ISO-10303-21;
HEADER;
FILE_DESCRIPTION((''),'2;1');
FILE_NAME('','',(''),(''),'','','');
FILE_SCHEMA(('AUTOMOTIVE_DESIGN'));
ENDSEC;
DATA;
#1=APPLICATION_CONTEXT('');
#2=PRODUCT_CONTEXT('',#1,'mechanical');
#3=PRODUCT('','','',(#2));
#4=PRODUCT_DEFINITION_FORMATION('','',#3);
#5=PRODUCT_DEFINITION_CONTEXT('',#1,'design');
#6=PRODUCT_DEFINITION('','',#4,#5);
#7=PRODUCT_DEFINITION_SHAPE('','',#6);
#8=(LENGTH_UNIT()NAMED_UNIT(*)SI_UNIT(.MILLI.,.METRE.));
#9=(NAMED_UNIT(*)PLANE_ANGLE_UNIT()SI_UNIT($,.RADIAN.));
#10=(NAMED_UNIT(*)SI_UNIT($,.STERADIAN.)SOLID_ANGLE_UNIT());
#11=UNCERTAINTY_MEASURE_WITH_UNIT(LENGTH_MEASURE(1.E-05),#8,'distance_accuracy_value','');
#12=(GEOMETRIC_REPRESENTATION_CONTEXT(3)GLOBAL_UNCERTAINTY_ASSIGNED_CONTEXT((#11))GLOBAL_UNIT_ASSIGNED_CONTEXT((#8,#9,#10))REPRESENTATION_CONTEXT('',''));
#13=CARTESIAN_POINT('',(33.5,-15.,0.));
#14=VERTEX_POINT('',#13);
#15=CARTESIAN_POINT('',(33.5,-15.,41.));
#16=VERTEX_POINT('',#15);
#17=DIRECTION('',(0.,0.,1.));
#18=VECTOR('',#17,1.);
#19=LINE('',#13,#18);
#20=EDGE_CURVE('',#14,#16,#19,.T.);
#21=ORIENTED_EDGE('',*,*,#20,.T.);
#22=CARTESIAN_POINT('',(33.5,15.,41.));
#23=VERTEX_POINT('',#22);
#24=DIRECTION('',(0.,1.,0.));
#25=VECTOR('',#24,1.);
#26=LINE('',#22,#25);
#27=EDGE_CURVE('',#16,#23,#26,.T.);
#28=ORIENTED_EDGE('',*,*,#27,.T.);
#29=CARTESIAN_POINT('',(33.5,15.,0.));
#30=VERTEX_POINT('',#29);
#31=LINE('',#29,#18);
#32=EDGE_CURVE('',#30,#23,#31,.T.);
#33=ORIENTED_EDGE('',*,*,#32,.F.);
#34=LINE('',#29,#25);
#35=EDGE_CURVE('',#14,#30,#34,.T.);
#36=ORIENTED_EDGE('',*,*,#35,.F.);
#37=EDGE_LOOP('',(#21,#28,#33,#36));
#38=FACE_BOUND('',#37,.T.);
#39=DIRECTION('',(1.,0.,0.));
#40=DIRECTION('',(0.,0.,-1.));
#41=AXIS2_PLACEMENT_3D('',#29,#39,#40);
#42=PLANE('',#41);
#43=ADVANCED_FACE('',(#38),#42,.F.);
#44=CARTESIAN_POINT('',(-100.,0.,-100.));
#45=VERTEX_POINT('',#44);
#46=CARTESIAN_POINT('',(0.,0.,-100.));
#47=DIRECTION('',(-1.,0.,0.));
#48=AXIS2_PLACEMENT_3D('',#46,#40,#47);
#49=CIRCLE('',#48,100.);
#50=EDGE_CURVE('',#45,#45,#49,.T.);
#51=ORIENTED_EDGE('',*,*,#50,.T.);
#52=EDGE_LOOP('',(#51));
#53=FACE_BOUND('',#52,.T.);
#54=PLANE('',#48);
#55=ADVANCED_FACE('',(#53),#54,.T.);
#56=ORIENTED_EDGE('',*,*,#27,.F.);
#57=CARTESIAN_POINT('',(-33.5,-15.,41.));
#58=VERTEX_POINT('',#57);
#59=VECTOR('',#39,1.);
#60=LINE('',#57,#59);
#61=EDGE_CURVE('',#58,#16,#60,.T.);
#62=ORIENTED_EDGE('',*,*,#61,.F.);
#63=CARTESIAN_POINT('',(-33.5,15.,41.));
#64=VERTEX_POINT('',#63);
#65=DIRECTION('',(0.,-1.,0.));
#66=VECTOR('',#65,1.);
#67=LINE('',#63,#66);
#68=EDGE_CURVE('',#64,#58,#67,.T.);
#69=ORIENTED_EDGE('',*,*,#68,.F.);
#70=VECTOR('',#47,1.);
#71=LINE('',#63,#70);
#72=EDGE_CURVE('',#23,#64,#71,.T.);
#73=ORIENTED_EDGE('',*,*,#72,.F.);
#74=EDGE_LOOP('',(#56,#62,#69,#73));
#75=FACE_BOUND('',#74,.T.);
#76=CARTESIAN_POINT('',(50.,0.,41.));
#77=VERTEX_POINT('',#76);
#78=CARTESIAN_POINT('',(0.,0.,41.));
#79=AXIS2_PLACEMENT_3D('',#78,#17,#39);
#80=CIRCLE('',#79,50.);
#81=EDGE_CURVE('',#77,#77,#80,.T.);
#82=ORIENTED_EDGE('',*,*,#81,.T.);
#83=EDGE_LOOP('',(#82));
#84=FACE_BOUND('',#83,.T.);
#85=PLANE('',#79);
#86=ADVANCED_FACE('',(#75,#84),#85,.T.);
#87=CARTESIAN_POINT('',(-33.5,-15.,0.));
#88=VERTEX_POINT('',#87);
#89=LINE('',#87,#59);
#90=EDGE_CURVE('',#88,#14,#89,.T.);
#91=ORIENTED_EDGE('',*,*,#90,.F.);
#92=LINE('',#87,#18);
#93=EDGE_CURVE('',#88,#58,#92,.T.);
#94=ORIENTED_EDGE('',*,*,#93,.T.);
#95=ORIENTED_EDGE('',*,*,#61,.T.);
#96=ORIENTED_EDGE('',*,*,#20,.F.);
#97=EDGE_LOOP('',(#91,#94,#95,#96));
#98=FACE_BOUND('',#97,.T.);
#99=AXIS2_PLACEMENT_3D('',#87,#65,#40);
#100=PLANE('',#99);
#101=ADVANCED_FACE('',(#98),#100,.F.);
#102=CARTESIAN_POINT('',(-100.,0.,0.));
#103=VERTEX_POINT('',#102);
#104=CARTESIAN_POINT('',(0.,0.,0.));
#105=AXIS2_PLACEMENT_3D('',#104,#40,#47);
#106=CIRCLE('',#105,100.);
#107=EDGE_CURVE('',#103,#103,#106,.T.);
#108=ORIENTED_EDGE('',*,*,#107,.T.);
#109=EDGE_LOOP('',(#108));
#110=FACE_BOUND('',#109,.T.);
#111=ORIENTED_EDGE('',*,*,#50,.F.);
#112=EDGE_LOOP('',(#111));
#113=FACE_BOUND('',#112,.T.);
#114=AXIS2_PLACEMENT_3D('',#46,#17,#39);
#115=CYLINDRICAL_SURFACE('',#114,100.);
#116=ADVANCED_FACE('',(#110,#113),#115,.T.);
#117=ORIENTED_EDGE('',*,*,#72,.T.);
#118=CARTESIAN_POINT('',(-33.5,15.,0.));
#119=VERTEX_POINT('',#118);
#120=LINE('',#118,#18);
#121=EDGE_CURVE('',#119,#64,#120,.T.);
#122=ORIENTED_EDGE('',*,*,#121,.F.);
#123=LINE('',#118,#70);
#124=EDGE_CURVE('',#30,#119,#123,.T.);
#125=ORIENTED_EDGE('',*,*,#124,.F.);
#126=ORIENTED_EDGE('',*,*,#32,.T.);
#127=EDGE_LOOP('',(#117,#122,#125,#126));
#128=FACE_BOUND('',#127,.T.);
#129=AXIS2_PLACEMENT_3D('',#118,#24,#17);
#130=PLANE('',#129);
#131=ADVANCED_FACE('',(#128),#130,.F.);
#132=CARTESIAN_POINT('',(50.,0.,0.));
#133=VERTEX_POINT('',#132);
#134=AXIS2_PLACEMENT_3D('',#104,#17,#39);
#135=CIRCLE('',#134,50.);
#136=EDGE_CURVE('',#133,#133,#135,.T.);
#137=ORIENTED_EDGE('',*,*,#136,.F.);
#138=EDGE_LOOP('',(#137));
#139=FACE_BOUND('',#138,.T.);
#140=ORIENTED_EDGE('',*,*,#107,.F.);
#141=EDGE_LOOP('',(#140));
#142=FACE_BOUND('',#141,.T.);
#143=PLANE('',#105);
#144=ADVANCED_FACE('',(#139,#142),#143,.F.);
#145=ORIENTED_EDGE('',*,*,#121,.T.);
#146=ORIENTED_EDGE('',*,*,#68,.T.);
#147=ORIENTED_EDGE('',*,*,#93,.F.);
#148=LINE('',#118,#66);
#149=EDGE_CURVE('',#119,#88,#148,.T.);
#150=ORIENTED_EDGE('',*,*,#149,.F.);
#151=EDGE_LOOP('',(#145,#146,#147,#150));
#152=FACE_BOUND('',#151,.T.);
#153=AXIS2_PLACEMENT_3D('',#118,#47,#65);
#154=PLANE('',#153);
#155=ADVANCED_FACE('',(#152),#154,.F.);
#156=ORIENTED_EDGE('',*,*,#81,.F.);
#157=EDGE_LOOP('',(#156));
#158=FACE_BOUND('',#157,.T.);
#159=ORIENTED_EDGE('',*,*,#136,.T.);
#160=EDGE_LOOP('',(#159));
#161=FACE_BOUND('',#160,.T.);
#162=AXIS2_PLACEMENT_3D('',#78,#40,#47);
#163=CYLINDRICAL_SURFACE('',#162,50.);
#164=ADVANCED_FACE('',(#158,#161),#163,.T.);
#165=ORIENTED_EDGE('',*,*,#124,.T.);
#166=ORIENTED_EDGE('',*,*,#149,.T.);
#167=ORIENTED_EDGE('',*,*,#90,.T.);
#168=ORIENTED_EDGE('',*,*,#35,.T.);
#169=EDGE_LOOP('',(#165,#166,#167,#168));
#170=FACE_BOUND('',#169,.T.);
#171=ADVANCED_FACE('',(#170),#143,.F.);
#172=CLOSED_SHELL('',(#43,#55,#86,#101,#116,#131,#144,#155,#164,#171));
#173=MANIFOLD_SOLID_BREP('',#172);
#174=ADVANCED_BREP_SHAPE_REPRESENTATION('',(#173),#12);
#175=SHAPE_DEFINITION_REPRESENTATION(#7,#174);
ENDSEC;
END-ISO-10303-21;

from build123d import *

# Parameters (mm, degrees)
SKETCH1_R           = 50
BOSS_EXTRUDE1_DEPTH = 41
SKETCH2_W           = 67
SKETCH2_H           = 30
CUT_EXTRUDE1_DEPTH  = 41
SKETCH3_R           = 100
BOSS_EXTRUDE2_DEPTH = 100


with BuildPart() as part:
    # Sketch1 → Boss-Extrude1 (new body)
    with BuildSketch(Plane.XY):
        Circle(SKETCH1_R)
    extrude(amount=BOSS_EXTRUDE1_DEPTH)

    # Sketch2 → Cut-Extrude1 (cut)
    with BuildSketch(Plane.XY.offset(41)):
        Rectangle(SKETCH2_W, SKETCH2_H)
    extrude(amount=-CUT_EXTRUDE1_DEPTH, mode=Mode.SUBTRACT)

    # Sketch3 → Boss-Extrude2 (add)
    with BuildSketch(Plane(origin=(0, 0, 0), x_dir=(-1, 0, 0), z_dir=(0, 0, -1))):
        Circle(SKETCH3_R)
    extrude(amount=BOSS_EXTRUDE2_DEPTH)


solid = part.part
